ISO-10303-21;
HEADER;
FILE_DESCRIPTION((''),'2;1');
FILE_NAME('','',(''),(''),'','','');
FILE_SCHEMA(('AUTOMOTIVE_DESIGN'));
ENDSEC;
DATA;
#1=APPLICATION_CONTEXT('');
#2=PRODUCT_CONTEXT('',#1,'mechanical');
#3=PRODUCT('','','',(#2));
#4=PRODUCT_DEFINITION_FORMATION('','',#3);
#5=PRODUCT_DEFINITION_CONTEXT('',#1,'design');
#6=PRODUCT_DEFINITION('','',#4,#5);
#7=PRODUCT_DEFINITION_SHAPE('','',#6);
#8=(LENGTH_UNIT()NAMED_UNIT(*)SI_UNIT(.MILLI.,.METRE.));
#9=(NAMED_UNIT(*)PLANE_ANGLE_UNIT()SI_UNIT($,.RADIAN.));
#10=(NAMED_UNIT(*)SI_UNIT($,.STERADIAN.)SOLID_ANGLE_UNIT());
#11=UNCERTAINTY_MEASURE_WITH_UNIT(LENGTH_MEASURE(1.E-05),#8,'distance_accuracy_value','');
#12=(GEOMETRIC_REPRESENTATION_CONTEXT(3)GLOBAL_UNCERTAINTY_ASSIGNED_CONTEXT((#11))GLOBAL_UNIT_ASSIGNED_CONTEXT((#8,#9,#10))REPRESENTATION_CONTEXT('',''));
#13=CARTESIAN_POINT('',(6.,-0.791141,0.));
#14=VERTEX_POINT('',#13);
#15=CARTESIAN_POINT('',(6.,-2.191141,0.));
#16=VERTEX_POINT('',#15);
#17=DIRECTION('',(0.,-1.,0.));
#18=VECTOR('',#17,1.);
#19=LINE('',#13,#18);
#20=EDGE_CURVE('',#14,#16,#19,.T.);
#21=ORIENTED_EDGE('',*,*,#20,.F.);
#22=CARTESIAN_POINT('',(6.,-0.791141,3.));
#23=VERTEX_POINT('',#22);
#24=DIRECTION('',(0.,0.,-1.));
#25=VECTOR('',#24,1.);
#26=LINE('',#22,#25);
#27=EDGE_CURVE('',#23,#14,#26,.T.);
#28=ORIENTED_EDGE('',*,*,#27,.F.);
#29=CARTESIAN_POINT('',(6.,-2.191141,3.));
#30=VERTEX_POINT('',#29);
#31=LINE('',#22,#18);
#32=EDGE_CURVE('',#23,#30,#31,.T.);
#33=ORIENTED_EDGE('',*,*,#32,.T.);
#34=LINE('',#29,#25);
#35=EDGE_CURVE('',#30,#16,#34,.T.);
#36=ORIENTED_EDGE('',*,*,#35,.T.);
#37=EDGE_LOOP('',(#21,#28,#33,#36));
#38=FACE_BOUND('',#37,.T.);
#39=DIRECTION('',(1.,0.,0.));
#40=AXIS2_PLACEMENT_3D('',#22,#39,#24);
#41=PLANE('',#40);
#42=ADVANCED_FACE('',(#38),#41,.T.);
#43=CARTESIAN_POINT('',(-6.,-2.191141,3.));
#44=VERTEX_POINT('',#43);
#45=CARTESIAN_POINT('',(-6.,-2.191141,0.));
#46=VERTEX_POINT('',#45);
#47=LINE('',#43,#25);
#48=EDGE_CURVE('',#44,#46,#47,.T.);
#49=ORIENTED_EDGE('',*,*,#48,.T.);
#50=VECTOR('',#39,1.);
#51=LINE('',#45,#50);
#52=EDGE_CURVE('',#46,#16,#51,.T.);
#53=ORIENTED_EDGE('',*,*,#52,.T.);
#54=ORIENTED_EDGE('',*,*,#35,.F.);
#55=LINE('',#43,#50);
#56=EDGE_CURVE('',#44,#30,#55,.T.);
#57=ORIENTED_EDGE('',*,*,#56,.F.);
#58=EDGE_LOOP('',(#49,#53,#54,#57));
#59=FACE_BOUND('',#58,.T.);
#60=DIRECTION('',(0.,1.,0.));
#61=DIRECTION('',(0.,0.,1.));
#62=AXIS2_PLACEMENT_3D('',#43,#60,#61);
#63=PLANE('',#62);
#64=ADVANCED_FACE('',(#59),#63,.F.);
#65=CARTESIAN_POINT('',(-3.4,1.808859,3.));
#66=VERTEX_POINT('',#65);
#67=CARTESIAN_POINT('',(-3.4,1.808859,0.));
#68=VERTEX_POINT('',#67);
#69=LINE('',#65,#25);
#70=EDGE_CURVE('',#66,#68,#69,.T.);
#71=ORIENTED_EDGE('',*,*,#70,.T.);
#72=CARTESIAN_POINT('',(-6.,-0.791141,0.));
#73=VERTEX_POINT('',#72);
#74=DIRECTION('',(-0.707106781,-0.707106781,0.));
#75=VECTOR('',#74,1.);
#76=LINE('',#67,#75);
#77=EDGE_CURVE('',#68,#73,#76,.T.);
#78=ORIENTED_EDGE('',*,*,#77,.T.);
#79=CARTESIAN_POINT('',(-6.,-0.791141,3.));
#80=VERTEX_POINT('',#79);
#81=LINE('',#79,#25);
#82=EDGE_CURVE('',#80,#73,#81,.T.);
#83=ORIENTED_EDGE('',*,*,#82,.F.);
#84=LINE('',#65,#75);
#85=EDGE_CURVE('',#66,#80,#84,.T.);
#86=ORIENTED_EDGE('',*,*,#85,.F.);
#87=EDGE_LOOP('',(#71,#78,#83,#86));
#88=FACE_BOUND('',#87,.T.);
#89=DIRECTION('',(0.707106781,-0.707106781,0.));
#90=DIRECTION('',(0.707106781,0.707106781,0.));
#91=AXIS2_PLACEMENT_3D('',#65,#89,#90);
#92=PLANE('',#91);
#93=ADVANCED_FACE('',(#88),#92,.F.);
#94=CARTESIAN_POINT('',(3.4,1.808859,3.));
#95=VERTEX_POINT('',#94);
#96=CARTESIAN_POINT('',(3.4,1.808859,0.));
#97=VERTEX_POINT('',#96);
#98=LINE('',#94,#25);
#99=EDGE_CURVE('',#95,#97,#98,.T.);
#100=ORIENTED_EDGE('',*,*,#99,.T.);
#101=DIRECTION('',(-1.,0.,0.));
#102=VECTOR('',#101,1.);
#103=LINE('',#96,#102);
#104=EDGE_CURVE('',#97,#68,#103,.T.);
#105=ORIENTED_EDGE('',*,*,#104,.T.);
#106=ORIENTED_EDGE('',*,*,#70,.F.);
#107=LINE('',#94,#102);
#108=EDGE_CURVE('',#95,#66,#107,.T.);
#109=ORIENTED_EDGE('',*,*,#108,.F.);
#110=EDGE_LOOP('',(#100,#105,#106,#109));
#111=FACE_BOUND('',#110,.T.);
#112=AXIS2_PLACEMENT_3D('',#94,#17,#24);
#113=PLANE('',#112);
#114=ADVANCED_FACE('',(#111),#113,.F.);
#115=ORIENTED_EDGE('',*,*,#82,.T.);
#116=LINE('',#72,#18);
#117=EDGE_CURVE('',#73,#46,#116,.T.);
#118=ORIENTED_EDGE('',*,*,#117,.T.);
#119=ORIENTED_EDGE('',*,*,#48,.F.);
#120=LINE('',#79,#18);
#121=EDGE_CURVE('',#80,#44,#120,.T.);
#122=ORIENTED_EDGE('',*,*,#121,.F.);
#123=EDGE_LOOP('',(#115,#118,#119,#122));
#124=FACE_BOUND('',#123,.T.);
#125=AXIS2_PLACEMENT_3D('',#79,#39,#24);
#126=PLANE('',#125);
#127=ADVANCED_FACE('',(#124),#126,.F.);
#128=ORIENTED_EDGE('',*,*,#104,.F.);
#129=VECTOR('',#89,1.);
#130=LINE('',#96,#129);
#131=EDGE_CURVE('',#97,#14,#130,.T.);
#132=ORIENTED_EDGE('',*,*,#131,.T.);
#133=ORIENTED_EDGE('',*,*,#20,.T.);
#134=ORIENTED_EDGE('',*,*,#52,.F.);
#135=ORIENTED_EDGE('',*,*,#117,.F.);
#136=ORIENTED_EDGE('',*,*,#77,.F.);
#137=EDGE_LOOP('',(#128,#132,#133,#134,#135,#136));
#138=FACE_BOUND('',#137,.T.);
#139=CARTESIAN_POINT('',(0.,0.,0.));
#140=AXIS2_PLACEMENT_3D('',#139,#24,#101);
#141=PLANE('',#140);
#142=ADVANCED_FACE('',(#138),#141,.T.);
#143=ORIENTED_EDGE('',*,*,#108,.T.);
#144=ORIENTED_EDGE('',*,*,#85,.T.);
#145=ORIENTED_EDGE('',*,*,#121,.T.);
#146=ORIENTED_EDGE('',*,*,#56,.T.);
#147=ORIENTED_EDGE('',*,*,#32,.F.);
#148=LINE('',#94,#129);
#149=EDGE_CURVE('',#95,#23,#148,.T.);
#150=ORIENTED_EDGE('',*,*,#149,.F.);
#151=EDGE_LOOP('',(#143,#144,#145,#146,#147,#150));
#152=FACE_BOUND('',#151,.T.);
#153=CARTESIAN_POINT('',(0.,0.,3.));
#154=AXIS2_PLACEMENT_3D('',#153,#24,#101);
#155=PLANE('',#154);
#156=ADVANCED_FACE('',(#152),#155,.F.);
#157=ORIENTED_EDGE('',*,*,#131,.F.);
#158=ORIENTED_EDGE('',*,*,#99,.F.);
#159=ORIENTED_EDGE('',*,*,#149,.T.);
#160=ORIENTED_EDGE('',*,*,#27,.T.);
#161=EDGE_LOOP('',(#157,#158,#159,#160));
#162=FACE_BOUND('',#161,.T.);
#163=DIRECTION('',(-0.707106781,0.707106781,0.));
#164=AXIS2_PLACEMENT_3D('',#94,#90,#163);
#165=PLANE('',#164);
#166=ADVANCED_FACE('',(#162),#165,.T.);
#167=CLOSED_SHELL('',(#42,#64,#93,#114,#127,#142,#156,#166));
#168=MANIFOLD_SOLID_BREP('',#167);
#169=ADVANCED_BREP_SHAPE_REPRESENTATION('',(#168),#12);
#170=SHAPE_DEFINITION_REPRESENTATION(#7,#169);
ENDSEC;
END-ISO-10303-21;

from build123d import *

# Parameters (mm, degrees)
AUFSATZ_LINEAR_AUSTRAGEN1_DEPTH = 3


with BuildPart() as part:
    # Skizze1 → Aufsatz-Linear austragen1 (new body)
    with BuildSketch(Plane.XY):
        Polygon((3.4, 1.808858787), (-3.4, 1.808858787), (-6, -0.791141213), (-6, -2.191141213), (6, -2.191141213), (6, -0.791141213), align=None)
    extrude(amount=AUFSATZ_LINEAR_AUSTRAGEN1_DEPTH)


solid = part.part
